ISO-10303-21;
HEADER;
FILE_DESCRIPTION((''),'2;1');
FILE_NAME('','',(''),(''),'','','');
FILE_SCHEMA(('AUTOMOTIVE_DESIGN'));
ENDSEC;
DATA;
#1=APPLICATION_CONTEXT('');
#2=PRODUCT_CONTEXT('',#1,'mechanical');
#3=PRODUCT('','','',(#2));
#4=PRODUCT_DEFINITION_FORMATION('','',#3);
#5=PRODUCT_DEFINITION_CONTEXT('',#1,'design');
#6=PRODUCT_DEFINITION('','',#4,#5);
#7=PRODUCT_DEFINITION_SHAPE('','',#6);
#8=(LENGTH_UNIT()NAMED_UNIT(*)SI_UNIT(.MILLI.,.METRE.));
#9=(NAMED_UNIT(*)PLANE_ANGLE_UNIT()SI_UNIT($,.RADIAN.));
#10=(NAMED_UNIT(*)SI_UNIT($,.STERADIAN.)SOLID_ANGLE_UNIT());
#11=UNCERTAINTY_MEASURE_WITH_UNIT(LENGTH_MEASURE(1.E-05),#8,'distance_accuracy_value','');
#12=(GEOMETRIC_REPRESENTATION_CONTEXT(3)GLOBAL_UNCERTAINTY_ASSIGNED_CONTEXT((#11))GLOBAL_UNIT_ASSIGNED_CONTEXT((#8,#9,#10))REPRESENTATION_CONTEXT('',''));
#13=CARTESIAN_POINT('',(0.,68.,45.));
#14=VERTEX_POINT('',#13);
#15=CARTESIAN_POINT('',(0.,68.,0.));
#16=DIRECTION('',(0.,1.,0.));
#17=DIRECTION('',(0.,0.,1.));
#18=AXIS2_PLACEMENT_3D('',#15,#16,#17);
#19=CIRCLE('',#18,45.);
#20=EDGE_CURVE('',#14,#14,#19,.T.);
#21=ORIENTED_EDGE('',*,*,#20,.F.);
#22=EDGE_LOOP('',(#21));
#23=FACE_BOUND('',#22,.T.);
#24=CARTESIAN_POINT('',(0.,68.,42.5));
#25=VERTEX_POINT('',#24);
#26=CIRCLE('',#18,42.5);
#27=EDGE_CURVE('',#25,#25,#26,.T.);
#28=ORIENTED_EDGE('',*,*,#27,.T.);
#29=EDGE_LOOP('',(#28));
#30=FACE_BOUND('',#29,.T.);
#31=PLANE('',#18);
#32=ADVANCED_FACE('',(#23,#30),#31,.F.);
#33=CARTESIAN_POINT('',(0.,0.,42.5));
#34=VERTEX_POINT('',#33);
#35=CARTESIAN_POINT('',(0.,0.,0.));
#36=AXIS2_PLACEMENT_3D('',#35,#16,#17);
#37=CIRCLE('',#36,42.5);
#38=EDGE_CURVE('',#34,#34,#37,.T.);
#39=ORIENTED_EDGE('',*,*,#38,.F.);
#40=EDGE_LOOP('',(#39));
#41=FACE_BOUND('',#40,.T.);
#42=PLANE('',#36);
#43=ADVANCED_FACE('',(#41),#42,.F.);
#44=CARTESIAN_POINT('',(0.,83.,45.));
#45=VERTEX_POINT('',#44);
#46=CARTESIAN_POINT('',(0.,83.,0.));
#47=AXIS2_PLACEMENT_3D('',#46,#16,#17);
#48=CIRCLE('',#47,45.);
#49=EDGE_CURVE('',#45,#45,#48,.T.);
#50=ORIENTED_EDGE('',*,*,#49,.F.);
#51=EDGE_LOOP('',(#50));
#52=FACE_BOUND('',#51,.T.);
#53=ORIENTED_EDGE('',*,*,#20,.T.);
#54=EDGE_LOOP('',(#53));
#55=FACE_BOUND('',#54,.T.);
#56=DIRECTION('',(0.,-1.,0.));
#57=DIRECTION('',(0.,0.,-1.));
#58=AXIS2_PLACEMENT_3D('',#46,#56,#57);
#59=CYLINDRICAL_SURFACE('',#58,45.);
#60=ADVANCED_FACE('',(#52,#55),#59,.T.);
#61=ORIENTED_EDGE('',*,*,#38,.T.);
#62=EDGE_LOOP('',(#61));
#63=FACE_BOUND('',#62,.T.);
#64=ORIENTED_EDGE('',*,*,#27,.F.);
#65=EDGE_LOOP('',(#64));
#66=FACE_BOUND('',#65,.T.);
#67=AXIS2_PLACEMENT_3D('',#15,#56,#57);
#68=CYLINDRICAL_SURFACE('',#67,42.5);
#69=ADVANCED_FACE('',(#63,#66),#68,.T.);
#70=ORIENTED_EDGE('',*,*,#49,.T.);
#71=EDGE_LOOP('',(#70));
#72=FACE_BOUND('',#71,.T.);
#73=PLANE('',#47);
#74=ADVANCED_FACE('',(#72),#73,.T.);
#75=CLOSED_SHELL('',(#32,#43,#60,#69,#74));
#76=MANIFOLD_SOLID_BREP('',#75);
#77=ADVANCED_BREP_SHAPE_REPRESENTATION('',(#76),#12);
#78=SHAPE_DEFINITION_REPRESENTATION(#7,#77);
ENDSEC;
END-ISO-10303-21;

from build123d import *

# Parameters (mm, degrees)
SKETCH1_R           = 42.5
BOSS_EXTRUDE1_DEPTH = 68
SKETCH2_R           = 45
BOSS_EXTRUDE2_DEPTH = 15


with BuildPart() as part:
    # Sketch1 → Boss-Extrude1 (new body)
    with BuildSketch(Plane(origin=(0, 0, 0), x_dir=(1, 0, 0), z_dir=(0, 1, 0))):
        Circle(SKETCH1_R)
    extrude(amount=BOSS_EXTRUDE1_DEPTH)

    # Sketch2 → Boss-Extrude2 (add)
    with BuildSketch(Plane(origin=(0, 68, 0), x_dir=(1, 0, 0), z_dir=(0, 1, 0))):
        Circle(SKETCH2_R)
    extrude(amount=BOSS_EXTRUDE2_DEPTH)


solid = part.part
